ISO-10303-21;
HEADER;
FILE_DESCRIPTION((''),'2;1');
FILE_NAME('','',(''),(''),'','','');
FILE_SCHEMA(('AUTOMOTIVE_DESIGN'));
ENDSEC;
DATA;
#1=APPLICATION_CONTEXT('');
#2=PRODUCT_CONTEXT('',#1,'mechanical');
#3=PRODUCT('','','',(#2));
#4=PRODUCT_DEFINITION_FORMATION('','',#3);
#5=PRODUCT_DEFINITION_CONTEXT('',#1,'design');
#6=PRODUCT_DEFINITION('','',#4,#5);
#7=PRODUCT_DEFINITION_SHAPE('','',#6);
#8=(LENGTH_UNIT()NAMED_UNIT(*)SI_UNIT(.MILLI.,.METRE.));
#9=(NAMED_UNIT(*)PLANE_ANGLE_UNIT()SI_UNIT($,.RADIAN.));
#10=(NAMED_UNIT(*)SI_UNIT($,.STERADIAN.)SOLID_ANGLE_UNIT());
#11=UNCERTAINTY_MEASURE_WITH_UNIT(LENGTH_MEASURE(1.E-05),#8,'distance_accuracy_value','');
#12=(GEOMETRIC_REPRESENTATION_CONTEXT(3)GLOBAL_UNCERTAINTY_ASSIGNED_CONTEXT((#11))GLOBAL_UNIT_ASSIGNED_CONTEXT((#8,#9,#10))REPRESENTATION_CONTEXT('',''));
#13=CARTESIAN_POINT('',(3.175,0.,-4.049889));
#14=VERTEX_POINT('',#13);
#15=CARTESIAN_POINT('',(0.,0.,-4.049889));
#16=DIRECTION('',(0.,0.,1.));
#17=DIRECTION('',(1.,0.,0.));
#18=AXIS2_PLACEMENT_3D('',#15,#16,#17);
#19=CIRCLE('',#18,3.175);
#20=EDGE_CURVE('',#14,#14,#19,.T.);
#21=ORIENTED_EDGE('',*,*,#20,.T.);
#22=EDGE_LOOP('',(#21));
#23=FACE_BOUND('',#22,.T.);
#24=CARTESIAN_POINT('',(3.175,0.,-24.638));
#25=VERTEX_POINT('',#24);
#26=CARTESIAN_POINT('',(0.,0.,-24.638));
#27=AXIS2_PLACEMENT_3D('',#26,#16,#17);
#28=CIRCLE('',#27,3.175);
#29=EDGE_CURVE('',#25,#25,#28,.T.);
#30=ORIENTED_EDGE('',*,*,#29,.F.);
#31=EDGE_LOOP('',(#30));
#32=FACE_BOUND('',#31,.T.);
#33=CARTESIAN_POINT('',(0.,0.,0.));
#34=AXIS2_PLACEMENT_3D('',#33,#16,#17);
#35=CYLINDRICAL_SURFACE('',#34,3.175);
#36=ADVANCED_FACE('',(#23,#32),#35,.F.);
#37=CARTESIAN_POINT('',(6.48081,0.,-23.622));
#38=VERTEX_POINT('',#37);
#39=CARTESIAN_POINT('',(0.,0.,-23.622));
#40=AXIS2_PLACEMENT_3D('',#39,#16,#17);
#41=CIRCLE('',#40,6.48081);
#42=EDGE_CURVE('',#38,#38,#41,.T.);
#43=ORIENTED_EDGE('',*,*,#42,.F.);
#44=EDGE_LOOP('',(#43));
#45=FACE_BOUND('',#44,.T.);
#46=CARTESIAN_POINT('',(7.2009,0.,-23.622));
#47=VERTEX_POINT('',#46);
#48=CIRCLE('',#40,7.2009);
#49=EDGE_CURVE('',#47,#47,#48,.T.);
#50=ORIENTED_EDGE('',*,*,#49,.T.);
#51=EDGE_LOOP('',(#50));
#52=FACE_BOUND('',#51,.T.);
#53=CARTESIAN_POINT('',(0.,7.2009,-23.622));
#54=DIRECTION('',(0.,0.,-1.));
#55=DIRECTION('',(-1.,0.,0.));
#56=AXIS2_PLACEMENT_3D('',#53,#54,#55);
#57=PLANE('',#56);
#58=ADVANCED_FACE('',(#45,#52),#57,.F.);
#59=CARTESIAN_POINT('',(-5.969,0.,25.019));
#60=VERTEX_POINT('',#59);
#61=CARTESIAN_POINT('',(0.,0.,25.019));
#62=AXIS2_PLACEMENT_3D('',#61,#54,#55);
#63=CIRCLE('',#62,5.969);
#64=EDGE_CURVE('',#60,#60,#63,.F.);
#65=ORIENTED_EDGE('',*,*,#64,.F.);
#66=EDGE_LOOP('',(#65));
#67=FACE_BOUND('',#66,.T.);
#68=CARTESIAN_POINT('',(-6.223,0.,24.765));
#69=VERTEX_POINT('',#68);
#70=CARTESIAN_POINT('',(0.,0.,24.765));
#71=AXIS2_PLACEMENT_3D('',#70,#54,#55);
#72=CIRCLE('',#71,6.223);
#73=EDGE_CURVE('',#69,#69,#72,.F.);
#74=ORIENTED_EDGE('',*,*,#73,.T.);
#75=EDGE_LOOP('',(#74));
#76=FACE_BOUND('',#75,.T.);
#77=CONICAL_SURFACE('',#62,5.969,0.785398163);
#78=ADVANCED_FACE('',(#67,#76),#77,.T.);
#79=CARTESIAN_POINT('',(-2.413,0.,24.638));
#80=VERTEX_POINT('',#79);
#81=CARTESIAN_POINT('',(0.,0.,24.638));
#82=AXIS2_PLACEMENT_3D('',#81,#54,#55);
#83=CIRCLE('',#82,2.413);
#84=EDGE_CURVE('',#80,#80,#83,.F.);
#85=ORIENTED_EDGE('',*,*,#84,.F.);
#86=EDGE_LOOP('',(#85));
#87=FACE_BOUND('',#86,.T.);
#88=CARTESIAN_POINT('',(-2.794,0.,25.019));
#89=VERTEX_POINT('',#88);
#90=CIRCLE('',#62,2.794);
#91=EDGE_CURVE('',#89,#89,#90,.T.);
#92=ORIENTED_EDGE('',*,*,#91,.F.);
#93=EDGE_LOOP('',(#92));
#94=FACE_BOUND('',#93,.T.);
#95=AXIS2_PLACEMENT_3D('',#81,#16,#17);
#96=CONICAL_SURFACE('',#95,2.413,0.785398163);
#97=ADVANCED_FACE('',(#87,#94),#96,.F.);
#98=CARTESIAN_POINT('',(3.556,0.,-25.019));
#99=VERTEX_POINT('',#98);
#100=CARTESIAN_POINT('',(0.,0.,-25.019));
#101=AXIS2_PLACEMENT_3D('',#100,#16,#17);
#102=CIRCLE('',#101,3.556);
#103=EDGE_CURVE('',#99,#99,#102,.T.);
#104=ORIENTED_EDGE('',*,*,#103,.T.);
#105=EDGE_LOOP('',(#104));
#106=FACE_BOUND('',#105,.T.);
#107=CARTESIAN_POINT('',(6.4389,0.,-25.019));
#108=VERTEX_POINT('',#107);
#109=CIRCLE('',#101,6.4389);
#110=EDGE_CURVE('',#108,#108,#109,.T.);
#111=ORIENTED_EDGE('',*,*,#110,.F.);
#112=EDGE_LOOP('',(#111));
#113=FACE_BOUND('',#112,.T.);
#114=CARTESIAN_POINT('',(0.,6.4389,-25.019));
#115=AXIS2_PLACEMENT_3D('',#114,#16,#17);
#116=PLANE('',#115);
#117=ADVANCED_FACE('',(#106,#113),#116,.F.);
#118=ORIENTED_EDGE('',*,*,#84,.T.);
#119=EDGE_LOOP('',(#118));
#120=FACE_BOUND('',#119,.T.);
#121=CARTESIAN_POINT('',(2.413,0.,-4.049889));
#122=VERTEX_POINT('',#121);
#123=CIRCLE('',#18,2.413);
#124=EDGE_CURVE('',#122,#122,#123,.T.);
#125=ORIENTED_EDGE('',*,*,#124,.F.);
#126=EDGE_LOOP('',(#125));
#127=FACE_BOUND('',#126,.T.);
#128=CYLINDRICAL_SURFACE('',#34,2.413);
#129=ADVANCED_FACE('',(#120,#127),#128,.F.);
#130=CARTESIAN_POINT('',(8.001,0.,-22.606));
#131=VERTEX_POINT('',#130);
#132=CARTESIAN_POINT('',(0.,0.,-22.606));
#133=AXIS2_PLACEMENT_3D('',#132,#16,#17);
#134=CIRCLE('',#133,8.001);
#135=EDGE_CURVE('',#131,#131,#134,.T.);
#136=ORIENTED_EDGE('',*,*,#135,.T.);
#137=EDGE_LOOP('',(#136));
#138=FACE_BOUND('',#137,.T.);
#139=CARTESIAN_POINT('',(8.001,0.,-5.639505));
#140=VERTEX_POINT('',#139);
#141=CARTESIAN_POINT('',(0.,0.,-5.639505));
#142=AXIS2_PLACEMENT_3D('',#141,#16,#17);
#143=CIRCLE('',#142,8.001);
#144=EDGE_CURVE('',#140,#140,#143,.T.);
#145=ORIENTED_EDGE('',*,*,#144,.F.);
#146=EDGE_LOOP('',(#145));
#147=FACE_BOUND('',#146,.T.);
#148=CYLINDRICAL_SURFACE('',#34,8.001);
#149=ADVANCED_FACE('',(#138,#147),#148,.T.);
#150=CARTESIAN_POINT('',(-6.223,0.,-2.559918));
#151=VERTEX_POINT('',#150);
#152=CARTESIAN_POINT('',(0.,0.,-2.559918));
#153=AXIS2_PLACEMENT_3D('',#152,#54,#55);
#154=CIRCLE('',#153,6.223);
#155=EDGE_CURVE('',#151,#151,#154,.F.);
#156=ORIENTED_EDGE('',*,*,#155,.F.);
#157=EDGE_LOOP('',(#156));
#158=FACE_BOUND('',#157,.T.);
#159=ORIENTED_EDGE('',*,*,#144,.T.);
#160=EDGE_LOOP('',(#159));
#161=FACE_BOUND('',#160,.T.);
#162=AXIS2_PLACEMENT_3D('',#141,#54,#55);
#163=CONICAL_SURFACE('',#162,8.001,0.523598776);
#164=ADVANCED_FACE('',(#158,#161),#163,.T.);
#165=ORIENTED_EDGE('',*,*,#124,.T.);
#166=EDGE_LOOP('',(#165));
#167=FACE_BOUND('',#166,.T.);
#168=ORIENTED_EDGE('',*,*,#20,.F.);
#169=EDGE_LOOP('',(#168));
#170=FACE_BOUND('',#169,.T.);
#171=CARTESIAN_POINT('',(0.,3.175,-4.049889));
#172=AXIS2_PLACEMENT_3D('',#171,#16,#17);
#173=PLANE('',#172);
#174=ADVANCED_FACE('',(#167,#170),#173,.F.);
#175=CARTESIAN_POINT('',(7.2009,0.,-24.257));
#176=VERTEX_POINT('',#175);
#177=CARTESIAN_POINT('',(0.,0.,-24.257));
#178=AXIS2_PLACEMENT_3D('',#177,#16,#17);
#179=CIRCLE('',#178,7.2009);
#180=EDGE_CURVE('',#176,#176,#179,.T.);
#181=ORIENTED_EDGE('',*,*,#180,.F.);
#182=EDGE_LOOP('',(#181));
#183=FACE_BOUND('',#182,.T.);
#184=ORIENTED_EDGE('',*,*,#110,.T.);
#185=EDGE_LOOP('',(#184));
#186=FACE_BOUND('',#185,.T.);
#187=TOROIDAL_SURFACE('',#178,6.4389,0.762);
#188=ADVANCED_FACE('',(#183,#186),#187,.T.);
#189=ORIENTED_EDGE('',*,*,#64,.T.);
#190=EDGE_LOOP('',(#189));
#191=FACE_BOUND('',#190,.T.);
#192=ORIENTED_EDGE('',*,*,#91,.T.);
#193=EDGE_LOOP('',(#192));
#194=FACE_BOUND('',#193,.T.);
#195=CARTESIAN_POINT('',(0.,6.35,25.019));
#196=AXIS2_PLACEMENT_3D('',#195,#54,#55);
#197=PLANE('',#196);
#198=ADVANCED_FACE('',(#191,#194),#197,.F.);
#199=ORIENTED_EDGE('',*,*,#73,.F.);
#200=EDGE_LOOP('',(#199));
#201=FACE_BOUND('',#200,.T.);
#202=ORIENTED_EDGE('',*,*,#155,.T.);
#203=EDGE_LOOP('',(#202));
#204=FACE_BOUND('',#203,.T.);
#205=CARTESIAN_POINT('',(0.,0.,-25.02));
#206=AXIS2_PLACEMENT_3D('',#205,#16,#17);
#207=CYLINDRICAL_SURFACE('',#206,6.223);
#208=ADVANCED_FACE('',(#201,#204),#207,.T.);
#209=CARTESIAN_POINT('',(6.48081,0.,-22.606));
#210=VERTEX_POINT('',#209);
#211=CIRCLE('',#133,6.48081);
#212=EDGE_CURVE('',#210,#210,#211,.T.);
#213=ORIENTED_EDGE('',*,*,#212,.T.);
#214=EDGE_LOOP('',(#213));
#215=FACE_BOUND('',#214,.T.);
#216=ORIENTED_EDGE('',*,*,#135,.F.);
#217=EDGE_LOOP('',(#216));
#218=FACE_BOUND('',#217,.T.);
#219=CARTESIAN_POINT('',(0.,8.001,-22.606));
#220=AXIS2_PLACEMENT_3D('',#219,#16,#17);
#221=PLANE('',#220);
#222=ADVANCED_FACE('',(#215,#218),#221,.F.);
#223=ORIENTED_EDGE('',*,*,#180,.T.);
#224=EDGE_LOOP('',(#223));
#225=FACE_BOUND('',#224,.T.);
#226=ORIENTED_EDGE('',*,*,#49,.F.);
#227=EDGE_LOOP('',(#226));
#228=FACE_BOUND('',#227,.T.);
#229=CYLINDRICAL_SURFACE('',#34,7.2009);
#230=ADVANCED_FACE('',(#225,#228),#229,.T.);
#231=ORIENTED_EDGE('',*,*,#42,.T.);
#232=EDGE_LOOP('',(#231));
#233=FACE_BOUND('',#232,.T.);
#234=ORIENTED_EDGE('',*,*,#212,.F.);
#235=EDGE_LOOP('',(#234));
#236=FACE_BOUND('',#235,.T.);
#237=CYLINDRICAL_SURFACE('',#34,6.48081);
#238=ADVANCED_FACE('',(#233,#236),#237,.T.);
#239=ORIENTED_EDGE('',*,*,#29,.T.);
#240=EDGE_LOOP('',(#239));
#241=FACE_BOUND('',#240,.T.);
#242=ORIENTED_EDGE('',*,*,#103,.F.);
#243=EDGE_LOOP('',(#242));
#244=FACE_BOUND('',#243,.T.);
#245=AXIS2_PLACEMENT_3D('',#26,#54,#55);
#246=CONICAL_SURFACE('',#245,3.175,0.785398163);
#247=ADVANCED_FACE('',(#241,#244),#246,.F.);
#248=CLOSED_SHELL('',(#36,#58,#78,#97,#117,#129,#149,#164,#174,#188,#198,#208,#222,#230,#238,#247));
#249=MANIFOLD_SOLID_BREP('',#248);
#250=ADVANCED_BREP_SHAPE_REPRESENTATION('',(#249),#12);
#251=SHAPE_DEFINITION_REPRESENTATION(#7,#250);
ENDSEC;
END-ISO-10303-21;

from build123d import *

# Parameters (mm, degrees)
CHAMFER1_SIZE      = 0.381
CUT_EXTRUDE1_REACH = 53.301
SKETCH2_R          = 6.35
SKETCH2_R_2        = 6.223


with BuildPart() as part:
    # Sketch1 → Revolve1 (revolve)
    with BuildSketch(Plane(origin=(0, 0, 0), x_dir=(0, 0, -1), z_dir=(1, 0, 0)), mode=Mode.PRIVATE) as revolve1_sk:
        with BuildLine():
            Line((23.622, 7.2009), (24.257, 7.2009))
            ThreePointArc((24.257, 7.2009), (24.795815367, 6.977715367), (25.019, 6.4389))
            Line((25.019, 6.4389), (25.019, 3.556))
            Line((25.019, 3.556), (24.638, 3.175))
            Line((24.638, 3.175), (4.049888889, 3.175))
            Line((4.049888889, 3.175), (4.049888889, 2.413))
            Line((4.049888889, 2.413), (-25.019, 2.413))
            Line((-25.019, 2.413), (-25.019, 6.35))
            Line((-25.019, 6.35), (2.779888889, 6.35))
            Line((2.779888889, 6.35), (5.639504772, 8.001))
            Line((5.639504772, 8.001), (22.606, 8.001))
            Line((22.606, 8.001), (22.606, 6.48081))
            Line((22.606, 6.48081), (23.622, 6.48081))
            Line((23.622, 6.48081), (23.622, 7.2009))
        make_face()
    revolve(revolve1_sk.sketch.rotate(Axis((0, 0, 0), (0, 0, -1)), 90), axis=Axis((0, 0, 0), (0, 0, -1)))

    # Chamfer1
    chamfer1_edges = [part.edges().sort_by_distance(p)[0] for p in [
        (-6.35, 0, 25.019),
        (-2.413, 0, 25.019),
    ]]
    chamfer(chamfer1_edges, length=CHAMFER1_SIZE)

    # Cut-Extrude1: up to this cone (the profile starts outside it)
    cut_extrude1_end = Plane(origin=(0, 0, 25.019), z_dir=(0, 0, -1)).offset(16.800367261) * Cone(1e-06, 21.362325849, 37.000632739, align=(Align.CENTER, Align.CENTER, Align.MIN), mode=Mode.PRIVATE)
    # Sketch2 → Cut-Extrude1 (cut, up to the surface)
    with BuildSketch(Plane.XY.offset(25.019), mode=Mode.PRIVATE) as cut_extrude1_sk1:
        Circle(SKETCH2_R)
        with Locations(Location((0, 0, 0), (0, 0, 180))):
            Circle(SKETCH2_R_2, mode=Mode.SUBTRACT)
    cut_extrude1_tool1 = extrude(cut_extrude1_sk1.sketch, amount=-CUT_EXTRUDE1_REACH, mode=Mode.PRIVATE) - cut_extrude1_end
    add(cut_extrude1_tool1.solids().sort_by_distance((-6.332039, 0, 25.019))[0], mode=Mode.SUBTRACT)


solid = part.part
